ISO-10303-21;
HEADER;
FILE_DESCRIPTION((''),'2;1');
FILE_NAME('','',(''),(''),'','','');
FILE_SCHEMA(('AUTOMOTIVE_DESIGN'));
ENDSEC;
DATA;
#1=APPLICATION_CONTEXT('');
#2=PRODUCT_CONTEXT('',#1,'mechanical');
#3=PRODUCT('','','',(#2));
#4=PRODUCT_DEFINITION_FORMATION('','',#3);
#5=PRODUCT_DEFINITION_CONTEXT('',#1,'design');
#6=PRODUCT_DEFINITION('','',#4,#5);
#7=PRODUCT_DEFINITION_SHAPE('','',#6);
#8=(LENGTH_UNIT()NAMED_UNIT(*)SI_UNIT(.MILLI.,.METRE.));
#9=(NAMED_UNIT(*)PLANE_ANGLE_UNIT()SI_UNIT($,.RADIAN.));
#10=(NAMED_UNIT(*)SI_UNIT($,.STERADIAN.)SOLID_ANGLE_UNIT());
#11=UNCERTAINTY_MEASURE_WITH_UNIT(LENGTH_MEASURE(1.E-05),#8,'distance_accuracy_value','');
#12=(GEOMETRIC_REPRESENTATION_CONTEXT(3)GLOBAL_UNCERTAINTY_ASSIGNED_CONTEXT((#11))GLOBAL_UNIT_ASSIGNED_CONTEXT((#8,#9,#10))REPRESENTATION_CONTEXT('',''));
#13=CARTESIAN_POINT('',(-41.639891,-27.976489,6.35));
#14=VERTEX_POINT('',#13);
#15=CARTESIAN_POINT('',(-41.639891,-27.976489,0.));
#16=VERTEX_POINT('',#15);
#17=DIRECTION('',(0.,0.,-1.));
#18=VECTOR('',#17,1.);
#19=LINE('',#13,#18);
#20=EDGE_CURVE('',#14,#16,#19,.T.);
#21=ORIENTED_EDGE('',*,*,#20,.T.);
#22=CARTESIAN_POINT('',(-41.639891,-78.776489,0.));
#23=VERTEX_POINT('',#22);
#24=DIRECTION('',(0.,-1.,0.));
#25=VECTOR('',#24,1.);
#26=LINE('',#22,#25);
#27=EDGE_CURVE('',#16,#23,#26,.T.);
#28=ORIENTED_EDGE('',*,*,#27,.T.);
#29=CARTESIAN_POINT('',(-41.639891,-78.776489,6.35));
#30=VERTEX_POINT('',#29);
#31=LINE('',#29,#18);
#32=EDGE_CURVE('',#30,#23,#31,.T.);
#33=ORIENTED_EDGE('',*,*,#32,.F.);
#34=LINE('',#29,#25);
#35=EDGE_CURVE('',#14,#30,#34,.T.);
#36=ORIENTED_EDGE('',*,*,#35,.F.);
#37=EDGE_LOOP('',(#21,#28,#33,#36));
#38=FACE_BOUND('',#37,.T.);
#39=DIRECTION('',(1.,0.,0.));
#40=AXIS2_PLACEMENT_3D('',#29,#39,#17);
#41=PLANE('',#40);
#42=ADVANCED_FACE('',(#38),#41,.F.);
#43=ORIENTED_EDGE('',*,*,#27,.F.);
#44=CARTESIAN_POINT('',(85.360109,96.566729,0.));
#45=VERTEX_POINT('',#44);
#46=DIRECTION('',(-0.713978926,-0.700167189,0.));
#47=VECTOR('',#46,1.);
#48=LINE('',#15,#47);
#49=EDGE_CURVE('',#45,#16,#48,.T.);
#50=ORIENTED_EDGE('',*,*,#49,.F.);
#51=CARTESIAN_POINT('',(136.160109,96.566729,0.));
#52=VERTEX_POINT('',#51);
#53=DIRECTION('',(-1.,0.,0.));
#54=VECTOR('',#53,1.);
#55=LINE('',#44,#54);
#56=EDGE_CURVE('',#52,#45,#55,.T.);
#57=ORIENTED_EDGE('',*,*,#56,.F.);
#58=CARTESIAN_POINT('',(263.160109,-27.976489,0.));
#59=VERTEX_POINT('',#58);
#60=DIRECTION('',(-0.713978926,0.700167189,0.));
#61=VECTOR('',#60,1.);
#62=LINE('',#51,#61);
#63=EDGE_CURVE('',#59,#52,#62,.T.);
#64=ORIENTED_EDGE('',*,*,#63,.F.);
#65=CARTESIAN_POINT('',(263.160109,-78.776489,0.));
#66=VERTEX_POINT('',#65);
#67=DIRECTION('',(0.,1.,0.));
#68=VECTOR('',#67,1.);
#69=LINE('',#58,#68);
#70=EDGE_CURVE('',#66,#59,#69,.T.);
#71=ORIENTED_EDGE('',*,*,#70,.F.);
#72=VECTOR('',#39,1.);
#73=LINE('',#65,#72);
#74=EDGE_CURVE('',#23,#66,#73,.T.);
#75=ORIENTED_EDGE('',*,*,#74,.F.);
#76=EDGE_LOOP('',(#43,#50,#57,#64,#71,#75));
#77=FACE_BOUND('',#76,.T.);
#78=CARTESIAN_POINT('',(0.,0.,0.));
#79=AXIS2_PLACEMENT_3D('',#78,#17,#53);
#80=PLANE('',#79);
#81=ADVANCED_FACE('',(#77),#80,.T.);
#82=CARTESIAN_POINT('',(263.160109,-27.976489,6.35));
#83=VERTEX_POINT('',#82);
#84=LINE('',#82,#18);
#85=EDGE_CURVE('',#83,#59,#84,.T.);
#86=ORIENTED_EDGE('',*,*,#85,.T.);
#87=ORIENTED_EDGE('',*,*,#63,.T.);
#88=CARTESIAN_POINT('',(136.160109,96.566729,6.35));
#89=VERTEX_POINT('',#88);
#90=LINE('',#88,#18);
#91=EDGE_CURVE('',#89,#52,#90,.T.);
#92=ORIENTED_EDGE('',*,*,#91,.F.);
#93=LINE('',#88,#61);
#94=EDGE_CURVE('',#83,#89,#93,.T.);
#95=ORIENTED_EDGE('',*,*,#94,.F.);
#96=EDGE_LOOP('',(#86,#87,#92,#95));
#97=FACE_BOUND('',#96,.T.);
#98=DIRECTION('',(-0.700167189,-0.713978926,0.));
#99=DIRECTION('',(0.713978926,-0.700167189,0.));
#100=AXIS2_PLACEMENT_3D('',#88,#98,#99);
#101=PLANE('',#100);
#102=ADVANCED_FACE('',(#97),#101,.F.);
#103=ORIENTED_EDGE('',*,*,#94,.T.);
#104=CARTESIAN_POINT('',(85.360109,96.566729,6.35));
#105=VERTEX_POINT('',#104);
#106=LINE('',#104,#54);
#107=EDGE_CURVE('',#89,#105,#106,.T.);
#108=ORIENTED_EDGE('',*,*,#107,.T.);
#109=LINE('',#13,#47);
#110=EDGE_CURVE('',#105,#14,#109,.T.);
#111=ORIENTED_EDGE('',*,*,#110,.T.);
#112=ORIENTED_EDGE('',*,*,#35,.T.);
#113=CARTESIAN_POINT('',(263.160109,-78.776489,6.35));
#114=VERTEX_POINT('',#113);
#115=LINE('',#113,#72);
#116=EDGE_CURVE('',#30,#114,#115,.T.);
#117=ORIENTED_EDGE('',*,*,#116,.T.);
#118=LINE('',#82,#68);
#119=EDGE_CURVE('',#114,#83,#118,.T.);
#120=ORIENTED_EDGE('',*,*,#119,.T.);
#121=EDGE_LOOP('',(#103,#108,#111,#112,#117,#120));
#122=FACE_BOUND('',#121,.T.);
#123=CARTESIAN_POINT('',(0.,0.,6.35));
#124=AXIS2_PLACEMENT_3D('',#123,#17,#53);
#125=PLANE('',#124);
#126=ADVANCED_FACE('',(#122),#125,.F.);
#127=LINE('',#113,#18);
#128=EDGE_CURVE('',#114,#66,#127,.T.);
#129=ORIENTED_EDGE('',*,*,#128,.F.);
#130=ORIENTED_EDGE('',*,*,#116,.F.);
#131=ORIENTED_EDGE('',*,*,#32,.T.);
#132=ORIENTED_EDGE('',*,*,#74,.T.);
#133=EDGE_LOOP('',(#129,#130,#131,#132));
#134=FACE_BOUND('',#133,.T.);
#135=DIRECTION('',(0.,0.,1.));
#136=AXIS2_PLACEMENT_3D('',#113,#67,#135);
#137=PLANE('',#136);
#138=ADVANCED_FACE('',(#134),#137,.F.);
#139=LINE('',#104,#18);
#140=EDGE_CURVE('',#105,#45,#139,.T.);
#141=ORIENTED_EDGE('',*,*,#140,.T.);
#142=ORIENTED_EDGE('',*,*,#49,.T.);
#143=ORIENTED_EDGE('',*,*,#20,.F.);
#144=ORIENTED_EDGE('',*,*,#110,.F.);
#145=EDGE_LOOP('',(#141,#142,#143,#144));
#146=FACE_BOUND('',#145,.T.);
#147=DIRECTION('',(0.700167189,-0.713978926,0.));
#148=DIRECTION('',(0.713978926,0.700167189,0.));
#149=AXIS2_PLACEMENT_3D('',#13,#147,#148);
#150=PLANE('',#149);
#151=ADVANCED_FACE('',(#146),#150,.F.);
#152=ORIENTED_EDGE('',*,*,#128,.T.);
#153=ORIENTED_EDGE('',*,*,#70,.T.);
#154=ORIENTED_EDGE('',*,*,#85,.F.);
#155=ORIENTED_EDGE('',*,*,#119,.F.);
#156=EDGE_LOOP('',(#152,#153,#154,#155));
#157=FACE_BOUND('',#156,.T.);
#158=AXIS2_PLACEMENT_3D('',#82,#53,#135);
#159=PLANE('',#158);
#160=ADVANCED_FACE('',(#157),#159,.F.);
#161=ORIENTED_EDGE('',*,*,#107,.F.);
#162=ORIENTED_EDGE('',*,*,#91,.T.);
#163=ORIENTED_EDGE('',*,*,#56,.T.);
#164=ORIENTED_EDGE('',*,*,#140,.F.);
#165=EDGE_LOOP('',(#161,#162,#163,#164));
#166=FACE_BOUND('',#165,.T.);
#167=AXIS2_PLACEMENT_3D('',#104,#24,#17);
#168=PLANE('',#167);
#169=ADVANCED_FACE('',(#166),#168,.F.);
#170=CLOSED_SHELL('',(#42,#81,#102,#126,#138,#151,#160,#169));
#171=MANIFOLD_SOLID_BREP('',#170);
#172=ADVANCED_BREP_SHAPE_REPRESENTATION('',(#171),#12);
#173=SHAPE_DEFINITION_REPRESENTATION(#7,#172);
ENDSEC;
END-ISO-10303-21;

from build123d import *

# Parameters (mm, degrees)
BOSS_EXTRUDE1_DEPTH = 6.35


with BuildPart() as part:
    # Sketch1 → Boss-Extrude1 (new body)
    with BuildSketch(Plane.XY):
        Polygon((85.360109381, 96.566728588), (136.160109381, 96.566728588), (263.160109381, -27.976489364), (263.160109381, -78.776489364), (-41.639890619, -78.776489364), (-41.639890619, -27.976489364), align=None)
    extrude(amount=BOSS_EXTRUDE1_DEPTH)


solid = part.part
